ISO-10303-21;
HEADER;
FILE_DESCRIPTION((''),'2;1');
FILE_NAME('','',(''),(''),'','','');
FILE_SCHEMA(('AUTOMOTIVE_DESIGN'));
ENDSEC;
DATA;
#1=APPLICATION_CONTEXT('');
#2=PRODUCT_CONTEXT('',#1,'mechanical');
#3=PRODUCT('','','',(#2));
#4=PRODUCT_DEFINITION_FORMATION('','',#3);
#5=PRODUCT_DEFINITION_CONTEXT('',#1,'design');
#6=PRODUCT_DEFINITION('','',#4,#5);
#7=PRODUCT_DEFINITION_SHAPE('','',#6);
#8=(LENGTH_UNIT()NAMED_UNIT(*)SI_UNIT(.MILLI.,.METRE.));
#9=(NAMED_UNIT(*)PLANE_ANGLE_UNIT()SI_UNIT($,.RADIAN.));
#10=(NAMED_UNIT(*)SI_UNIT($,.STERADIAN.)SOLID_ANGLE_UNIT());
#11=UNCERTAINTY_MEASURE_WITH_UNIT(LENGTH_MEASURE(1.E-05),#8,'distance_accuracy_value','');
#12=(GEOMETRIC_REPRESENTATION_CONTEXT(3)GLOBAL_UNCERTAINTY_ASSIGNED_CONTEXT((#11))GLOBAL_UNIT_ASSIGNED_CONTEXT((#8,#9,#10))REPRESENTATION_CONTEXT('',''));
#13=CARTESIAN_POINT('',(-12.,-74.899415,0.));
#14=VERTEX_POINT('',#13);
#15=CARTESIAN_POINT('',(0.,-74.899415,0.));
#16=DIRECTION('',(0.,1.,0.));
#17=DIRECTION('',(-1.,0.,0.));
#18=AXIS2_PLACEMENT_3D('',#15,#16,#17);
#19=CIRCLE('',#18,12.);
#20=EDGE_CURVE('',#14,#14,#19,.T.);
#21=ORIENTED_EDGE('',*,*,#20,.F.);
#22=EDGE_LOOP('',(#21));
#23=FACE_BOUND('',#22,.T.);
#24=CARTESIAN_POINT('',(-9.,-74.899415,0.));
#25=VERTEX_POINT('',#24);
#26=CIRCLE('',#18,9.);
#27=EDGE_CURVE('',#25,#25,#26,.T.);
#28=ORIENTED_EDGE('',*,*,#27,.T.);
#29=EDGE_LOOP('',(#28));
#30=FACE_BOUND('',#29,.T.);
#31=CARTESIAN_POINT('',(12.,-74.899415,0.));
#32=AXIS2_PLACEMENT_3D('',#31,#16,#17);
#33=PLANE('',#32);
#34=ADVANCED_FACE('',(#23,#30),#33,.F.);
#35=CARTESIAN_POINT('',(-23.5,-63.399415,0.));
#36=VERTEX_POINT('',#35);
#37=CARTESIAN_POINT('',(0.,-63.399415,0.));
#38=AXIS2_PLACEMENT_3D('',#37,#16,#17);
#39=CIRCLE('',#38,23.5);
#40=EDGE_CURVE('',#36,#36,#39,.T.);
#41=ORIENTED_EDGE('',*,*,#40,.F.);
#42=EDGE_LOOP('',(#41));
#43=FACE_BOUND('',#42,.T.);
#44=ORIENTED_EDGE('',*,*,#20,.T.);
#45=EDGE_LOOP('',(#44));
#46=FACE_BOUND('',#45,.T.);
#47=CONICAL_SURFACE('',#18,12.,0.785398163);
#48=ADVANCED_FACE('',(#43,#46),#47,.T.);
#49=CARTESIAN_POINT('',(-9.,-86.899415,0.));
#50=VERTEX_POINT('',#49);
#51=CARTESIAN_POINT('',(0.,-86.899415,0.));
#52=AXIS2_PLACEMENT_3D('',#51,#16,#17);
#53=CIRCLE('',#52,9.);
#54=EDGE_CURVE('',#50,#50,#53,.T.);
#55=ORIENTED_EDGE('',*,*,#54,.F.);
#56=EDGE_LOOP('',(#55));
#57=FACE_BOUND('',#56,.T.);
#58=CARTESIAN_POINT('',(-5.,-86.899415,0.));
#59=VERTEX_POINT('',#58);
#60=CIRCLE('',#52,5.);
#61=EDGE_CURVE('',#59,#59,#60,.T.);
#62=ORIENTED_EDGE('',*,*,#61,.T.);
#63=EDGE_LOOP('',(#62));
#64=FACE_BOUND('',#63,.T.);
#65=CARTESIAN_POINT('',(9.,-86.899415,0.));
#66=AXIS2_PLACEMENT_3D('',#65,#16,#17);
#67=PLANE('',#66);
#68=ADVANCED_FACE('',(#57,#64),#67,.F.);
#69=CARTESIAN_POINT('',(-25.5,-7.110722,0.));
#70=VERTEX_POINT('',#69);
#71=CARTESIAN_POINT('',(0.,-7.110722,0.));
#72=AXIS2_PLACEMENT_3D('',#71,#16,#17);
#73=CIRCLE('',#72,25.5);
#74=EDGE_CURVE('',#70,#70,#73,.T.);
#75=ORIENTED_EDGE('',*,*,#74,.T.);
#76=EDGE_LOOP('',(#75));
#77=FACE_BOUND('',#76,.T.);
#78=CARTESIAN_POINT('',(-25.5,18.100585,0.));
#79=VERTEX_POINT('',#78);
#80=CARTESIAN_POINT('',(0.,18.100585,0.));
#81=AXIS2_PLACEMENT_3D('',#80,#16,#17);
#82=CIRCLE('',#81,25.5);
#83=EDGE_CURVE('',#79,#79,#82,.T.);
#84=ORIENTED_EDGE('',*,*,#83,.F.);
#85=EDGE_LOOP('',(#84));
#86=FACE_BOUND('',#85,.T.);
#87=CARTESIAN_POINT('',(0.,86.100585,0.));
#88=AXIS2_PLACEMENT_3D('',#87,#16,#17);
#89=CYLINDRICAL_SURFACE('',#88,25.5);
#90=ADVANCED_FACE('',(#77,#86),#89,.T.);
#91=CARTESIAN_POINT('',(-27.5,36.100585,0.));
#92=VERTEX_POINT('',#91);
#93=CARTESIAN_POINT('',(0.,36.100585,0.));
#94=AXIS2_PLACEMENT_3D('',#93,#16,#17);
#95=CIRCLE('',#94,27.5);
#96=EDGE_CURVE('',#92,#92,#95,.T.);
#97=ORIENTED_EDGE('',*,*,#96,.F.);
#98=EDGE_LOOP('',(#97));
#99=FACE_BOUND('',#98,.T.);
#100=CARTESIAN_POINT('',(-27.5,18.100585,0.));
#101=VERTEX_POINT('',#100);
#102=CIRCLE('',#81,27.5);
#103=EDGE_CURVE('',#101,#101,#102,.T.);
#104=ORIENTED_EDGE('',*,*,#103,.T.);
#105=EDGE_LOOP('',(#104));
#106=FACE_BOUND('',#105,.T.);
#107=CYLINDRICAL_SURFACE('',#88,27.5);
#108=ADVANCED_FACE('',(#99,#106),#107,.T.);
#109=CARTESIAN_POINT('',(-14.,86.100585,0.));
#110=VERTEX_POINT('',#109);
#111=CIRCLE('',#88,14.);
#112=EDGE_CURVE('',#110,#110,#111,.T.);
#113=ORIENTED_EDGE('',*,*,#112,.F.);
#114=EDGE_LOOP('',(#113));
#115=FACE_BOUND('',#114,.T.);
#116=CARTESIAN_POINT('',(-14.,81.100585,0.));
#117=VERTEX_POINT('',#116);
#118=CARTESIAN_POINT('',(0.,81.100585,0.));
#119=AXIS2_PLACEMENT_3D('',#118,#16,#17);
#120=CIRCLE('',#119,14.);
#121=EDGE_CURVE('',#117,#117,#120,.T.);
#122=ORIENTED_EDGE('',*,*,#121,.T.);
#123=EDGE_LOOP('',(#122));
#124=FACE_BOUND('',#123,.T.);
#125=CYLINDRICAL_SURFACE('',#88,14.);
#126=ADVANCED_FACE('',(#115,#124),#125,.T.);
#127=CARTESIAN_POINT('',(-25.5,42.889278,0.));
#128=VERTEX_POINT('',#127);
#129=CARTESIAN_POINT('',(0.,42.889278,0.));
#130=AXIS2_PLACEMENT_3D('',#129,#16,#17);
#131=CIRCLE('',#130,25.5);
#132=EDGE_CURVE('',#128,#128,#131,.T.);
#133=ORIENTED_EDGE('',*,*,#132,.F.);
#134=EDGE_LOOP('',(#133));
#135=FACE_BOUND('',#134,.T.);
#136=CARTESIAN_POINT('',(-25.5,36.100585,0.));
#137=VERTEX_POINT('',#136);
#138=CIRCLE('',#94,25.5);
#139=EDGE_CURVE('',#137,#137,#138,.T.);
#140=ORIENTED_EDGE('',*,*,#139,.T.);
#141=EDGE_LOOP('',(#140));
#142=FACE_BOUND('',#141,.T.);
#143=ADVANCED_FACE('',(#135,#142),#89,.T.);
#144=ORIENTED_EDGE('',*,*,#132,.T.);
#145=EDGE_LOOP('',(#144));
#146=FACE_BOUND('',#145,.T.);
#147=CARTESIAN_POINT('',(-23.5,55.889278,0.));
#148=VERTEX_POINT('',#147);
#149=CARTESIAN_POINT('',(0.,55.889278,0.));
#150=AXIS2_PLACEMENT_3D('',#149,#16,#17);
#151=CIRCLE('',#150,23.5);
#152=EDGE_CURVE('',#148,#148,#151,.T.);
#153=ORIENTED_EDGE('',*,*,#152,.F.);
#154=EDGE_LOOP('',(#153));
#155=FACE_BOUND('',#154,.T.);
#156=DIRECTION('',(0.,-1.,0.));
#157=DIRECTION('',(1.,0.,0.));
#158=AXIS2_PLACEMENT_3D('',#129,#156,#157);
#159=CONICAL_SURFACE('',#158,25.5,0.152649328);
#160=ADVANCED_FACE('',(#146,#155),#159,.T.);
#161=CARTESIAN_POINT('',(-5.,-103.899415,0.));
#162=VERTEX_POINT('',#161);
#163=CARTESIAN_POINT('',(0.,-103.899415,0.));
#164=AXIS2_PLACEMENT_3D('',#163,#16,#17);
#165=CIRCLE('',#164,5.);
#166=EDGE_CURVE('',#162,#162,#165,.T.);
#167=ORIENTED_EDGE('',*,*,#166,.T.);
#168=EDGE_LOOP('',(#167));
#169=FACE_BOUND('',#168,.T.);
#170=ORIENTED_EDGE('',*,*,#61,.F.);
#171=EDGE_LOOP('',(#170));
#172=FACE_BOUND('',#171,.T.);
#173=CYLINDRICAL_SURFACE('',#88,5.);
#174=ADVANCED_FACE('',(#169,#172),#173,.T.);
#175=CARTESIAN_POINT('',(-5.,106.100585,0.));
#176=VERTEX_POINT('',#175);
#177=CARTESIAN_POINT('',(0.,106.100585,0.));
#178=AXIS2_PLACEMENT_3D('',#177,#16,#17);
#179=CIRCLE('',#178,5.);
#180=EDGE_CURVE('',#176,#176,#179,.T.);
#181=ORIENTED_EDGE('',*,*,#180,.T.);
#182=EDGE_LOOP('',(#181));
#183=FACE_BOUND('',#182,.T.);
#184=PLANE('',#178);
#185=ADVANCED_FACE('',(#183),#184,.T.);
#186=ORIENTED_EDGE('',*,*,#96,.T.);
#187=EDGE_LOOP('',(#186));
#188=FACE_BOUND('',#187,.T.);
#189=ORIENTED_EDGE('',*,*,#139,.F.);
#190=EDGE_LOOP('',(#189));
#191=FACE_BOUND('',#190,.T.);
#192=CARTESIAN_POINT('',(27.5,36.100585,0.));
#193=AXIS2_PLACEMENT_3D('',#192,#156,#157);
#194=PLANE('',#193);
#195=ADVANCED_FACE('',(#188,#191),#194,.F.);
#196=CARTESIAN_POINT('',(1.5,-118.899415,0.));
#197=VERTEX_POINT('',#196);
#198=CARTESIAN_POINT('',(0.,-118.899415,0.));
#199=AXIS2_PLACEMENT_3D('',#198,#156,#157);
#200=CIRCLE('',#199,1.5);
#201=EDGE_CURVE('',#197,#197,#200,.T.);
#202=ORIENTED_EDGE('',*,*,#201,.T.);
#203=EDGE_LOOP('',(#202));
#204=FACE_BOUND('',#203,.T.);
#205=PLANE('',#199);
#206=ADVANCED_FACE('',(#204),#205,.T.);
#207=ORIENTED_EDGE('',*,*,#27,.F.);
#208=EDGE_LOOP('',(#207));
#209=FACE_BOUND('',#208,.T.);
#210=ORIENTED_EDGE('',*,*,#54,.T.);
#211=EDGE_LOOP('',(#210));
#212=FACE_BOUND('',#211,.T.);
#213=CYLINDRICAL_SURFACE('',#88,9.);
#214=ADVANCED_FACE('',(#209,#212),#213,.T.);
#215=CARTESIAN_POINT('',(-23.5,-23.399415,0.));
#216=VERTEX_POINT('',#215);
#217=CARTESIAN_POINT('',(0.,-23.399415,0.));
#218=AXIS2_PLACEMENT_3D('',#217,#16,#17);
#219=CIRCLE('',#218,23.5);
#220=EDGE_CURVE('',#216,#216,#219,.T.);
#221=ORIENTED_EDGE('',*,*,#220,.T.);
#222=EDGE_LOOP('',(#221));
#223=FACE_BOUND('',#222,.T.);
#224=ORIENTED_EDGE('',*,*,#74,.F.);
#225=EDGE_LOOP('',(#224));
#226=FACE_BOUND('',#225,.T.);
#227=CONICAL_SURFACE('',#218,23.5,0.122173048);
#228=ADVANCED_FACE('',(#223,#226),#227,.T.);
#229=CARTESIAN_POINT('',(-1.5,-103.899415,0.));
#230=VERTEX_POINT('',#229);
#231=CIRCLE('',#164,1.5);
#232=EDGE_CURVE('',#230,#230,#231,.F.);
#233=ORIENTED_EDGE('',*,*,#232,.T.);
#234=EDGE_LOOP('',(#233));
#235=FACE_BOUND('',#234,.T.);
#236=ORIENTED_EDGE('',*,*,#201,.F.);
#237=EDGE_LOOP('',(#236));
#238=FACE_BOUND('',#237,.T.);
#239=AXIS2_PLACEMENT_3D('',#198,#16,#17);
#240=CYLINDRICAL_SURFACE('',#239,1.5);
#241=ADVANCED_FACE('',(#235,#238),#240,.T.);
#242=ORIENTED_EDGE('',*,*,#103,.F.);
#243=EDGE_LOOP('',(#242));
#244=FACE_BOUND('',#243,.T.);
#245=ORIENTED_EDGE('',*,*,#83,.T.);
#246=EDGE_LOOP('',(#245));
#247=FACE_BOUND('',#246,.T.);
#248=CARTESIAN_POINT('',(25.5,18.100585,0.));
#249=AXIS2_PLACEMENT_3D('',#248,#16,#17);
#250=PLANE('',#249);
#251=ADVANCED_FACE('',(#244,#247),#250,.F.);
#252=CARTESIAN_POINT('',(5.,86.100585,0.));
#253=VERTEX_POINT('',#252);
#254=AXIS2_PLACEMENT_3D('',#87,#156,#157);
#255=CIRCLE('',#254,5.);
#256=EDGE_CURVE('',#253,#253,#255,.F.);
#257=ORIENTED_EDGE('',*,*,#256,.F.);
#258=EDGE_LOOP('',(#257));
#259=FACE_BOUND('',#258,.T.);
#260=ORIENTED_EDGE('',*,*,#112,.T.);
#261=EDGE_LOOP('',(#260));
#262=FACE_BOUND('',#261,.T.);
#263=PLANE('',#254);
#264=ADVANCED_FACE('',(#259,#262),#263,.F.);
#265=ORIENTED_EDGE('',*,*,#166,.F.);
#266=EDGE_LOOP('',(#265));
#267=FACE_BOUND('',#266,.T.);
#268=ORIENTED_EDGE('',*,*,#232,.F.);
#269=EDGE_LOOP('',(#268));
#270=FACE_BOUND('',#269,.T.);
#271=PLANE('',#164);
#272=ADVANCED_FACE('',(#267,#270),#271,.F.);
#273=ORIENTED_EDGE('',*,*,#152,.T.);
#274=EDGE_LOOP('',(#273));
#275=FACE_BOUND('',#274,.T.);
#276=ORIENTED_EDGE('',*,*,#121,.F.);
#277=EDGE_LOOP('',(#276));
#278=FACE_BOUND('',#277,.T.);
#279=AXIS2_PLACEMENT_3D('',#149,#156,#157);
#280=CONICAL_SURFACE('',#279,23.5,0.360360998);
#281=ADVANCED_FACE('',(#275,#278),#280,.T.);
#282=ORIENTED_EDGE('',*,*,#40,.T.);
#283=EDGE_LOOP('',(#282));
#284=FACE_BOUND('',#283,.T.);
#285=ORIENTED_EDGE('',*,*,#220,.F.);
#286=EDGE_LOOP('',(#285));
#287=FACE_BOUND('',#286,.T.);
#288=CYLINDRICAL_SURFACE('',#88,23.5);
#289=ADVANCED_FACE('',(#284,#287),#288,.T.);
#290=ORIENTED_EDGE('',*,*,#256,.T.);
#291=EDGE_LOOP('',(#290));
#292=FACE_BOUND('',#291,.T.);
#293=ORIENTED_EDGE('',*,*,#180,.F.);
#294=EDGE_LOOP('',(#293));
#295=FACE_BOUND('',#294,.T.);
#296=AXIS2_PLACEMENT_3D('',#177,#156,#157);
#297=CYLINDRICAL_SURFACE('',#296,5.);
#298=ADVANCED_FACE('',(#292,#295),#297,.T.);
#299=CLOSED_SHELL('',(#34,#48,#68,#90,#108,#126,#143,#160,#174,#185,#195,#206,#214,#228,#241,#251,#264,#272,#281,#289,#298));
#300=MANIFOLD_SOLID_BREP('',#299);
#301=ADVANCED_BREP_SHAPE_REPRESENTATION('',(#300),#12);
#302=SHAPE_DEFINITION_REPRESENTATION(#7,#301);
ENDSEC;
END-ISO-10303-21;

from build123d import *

# Parameters (mm, degrees)
SKETCH2_R      = 5
EXTRUDE1_DEPTH = 20
SKETCH3_R      = 1.5
EXTRUDE2_DEPTH = 15


with BuildPart() as part:
    # Sketch1 → Revolve1 (revolve)
    with BuildSketch(Plane.XY):
        Polygon((0, 86.10058483), (14, 86.10058483), (14, 81.10058483), (23.5, 55.889277686), (25.5, 42.889277686), (25.5, 36.10058483), (27.5, 36.10058483), (27.5, 18.10058483), (25.5, 18.10058483), (25.5, -7.110722314), (23.5, -23.39941517), (23.5, -63.39941517), (12, -74.89941517), (9, -74.89941517), (9, -86.89941517), (5, -86.89941517), (5, -103.89941517), (0, -103.89941517), align=None)
    revolve(axis=Axis((0, 86.10058483, 0), (0, -1, 0)))

    # Sketch2 → Extrude1 (add)
    with BuildSketch(Plane(origin=(0, 86.10058483, 0), x_dir=(1, 0, 0), z_dir=(0, 1, 0))):
        Circle(SKETCH2_R)
    extrude(amount=EXTRUDE1_DEPTH)

    # Sketch3 → Extrude2 (add)
    with BuildSketch(Plane.XZ.offset(103.89941517)):
        Circle(SKETCH3_R)
    extrude(amount=EXTRUDE2_DEPTH)


solid = part.part
